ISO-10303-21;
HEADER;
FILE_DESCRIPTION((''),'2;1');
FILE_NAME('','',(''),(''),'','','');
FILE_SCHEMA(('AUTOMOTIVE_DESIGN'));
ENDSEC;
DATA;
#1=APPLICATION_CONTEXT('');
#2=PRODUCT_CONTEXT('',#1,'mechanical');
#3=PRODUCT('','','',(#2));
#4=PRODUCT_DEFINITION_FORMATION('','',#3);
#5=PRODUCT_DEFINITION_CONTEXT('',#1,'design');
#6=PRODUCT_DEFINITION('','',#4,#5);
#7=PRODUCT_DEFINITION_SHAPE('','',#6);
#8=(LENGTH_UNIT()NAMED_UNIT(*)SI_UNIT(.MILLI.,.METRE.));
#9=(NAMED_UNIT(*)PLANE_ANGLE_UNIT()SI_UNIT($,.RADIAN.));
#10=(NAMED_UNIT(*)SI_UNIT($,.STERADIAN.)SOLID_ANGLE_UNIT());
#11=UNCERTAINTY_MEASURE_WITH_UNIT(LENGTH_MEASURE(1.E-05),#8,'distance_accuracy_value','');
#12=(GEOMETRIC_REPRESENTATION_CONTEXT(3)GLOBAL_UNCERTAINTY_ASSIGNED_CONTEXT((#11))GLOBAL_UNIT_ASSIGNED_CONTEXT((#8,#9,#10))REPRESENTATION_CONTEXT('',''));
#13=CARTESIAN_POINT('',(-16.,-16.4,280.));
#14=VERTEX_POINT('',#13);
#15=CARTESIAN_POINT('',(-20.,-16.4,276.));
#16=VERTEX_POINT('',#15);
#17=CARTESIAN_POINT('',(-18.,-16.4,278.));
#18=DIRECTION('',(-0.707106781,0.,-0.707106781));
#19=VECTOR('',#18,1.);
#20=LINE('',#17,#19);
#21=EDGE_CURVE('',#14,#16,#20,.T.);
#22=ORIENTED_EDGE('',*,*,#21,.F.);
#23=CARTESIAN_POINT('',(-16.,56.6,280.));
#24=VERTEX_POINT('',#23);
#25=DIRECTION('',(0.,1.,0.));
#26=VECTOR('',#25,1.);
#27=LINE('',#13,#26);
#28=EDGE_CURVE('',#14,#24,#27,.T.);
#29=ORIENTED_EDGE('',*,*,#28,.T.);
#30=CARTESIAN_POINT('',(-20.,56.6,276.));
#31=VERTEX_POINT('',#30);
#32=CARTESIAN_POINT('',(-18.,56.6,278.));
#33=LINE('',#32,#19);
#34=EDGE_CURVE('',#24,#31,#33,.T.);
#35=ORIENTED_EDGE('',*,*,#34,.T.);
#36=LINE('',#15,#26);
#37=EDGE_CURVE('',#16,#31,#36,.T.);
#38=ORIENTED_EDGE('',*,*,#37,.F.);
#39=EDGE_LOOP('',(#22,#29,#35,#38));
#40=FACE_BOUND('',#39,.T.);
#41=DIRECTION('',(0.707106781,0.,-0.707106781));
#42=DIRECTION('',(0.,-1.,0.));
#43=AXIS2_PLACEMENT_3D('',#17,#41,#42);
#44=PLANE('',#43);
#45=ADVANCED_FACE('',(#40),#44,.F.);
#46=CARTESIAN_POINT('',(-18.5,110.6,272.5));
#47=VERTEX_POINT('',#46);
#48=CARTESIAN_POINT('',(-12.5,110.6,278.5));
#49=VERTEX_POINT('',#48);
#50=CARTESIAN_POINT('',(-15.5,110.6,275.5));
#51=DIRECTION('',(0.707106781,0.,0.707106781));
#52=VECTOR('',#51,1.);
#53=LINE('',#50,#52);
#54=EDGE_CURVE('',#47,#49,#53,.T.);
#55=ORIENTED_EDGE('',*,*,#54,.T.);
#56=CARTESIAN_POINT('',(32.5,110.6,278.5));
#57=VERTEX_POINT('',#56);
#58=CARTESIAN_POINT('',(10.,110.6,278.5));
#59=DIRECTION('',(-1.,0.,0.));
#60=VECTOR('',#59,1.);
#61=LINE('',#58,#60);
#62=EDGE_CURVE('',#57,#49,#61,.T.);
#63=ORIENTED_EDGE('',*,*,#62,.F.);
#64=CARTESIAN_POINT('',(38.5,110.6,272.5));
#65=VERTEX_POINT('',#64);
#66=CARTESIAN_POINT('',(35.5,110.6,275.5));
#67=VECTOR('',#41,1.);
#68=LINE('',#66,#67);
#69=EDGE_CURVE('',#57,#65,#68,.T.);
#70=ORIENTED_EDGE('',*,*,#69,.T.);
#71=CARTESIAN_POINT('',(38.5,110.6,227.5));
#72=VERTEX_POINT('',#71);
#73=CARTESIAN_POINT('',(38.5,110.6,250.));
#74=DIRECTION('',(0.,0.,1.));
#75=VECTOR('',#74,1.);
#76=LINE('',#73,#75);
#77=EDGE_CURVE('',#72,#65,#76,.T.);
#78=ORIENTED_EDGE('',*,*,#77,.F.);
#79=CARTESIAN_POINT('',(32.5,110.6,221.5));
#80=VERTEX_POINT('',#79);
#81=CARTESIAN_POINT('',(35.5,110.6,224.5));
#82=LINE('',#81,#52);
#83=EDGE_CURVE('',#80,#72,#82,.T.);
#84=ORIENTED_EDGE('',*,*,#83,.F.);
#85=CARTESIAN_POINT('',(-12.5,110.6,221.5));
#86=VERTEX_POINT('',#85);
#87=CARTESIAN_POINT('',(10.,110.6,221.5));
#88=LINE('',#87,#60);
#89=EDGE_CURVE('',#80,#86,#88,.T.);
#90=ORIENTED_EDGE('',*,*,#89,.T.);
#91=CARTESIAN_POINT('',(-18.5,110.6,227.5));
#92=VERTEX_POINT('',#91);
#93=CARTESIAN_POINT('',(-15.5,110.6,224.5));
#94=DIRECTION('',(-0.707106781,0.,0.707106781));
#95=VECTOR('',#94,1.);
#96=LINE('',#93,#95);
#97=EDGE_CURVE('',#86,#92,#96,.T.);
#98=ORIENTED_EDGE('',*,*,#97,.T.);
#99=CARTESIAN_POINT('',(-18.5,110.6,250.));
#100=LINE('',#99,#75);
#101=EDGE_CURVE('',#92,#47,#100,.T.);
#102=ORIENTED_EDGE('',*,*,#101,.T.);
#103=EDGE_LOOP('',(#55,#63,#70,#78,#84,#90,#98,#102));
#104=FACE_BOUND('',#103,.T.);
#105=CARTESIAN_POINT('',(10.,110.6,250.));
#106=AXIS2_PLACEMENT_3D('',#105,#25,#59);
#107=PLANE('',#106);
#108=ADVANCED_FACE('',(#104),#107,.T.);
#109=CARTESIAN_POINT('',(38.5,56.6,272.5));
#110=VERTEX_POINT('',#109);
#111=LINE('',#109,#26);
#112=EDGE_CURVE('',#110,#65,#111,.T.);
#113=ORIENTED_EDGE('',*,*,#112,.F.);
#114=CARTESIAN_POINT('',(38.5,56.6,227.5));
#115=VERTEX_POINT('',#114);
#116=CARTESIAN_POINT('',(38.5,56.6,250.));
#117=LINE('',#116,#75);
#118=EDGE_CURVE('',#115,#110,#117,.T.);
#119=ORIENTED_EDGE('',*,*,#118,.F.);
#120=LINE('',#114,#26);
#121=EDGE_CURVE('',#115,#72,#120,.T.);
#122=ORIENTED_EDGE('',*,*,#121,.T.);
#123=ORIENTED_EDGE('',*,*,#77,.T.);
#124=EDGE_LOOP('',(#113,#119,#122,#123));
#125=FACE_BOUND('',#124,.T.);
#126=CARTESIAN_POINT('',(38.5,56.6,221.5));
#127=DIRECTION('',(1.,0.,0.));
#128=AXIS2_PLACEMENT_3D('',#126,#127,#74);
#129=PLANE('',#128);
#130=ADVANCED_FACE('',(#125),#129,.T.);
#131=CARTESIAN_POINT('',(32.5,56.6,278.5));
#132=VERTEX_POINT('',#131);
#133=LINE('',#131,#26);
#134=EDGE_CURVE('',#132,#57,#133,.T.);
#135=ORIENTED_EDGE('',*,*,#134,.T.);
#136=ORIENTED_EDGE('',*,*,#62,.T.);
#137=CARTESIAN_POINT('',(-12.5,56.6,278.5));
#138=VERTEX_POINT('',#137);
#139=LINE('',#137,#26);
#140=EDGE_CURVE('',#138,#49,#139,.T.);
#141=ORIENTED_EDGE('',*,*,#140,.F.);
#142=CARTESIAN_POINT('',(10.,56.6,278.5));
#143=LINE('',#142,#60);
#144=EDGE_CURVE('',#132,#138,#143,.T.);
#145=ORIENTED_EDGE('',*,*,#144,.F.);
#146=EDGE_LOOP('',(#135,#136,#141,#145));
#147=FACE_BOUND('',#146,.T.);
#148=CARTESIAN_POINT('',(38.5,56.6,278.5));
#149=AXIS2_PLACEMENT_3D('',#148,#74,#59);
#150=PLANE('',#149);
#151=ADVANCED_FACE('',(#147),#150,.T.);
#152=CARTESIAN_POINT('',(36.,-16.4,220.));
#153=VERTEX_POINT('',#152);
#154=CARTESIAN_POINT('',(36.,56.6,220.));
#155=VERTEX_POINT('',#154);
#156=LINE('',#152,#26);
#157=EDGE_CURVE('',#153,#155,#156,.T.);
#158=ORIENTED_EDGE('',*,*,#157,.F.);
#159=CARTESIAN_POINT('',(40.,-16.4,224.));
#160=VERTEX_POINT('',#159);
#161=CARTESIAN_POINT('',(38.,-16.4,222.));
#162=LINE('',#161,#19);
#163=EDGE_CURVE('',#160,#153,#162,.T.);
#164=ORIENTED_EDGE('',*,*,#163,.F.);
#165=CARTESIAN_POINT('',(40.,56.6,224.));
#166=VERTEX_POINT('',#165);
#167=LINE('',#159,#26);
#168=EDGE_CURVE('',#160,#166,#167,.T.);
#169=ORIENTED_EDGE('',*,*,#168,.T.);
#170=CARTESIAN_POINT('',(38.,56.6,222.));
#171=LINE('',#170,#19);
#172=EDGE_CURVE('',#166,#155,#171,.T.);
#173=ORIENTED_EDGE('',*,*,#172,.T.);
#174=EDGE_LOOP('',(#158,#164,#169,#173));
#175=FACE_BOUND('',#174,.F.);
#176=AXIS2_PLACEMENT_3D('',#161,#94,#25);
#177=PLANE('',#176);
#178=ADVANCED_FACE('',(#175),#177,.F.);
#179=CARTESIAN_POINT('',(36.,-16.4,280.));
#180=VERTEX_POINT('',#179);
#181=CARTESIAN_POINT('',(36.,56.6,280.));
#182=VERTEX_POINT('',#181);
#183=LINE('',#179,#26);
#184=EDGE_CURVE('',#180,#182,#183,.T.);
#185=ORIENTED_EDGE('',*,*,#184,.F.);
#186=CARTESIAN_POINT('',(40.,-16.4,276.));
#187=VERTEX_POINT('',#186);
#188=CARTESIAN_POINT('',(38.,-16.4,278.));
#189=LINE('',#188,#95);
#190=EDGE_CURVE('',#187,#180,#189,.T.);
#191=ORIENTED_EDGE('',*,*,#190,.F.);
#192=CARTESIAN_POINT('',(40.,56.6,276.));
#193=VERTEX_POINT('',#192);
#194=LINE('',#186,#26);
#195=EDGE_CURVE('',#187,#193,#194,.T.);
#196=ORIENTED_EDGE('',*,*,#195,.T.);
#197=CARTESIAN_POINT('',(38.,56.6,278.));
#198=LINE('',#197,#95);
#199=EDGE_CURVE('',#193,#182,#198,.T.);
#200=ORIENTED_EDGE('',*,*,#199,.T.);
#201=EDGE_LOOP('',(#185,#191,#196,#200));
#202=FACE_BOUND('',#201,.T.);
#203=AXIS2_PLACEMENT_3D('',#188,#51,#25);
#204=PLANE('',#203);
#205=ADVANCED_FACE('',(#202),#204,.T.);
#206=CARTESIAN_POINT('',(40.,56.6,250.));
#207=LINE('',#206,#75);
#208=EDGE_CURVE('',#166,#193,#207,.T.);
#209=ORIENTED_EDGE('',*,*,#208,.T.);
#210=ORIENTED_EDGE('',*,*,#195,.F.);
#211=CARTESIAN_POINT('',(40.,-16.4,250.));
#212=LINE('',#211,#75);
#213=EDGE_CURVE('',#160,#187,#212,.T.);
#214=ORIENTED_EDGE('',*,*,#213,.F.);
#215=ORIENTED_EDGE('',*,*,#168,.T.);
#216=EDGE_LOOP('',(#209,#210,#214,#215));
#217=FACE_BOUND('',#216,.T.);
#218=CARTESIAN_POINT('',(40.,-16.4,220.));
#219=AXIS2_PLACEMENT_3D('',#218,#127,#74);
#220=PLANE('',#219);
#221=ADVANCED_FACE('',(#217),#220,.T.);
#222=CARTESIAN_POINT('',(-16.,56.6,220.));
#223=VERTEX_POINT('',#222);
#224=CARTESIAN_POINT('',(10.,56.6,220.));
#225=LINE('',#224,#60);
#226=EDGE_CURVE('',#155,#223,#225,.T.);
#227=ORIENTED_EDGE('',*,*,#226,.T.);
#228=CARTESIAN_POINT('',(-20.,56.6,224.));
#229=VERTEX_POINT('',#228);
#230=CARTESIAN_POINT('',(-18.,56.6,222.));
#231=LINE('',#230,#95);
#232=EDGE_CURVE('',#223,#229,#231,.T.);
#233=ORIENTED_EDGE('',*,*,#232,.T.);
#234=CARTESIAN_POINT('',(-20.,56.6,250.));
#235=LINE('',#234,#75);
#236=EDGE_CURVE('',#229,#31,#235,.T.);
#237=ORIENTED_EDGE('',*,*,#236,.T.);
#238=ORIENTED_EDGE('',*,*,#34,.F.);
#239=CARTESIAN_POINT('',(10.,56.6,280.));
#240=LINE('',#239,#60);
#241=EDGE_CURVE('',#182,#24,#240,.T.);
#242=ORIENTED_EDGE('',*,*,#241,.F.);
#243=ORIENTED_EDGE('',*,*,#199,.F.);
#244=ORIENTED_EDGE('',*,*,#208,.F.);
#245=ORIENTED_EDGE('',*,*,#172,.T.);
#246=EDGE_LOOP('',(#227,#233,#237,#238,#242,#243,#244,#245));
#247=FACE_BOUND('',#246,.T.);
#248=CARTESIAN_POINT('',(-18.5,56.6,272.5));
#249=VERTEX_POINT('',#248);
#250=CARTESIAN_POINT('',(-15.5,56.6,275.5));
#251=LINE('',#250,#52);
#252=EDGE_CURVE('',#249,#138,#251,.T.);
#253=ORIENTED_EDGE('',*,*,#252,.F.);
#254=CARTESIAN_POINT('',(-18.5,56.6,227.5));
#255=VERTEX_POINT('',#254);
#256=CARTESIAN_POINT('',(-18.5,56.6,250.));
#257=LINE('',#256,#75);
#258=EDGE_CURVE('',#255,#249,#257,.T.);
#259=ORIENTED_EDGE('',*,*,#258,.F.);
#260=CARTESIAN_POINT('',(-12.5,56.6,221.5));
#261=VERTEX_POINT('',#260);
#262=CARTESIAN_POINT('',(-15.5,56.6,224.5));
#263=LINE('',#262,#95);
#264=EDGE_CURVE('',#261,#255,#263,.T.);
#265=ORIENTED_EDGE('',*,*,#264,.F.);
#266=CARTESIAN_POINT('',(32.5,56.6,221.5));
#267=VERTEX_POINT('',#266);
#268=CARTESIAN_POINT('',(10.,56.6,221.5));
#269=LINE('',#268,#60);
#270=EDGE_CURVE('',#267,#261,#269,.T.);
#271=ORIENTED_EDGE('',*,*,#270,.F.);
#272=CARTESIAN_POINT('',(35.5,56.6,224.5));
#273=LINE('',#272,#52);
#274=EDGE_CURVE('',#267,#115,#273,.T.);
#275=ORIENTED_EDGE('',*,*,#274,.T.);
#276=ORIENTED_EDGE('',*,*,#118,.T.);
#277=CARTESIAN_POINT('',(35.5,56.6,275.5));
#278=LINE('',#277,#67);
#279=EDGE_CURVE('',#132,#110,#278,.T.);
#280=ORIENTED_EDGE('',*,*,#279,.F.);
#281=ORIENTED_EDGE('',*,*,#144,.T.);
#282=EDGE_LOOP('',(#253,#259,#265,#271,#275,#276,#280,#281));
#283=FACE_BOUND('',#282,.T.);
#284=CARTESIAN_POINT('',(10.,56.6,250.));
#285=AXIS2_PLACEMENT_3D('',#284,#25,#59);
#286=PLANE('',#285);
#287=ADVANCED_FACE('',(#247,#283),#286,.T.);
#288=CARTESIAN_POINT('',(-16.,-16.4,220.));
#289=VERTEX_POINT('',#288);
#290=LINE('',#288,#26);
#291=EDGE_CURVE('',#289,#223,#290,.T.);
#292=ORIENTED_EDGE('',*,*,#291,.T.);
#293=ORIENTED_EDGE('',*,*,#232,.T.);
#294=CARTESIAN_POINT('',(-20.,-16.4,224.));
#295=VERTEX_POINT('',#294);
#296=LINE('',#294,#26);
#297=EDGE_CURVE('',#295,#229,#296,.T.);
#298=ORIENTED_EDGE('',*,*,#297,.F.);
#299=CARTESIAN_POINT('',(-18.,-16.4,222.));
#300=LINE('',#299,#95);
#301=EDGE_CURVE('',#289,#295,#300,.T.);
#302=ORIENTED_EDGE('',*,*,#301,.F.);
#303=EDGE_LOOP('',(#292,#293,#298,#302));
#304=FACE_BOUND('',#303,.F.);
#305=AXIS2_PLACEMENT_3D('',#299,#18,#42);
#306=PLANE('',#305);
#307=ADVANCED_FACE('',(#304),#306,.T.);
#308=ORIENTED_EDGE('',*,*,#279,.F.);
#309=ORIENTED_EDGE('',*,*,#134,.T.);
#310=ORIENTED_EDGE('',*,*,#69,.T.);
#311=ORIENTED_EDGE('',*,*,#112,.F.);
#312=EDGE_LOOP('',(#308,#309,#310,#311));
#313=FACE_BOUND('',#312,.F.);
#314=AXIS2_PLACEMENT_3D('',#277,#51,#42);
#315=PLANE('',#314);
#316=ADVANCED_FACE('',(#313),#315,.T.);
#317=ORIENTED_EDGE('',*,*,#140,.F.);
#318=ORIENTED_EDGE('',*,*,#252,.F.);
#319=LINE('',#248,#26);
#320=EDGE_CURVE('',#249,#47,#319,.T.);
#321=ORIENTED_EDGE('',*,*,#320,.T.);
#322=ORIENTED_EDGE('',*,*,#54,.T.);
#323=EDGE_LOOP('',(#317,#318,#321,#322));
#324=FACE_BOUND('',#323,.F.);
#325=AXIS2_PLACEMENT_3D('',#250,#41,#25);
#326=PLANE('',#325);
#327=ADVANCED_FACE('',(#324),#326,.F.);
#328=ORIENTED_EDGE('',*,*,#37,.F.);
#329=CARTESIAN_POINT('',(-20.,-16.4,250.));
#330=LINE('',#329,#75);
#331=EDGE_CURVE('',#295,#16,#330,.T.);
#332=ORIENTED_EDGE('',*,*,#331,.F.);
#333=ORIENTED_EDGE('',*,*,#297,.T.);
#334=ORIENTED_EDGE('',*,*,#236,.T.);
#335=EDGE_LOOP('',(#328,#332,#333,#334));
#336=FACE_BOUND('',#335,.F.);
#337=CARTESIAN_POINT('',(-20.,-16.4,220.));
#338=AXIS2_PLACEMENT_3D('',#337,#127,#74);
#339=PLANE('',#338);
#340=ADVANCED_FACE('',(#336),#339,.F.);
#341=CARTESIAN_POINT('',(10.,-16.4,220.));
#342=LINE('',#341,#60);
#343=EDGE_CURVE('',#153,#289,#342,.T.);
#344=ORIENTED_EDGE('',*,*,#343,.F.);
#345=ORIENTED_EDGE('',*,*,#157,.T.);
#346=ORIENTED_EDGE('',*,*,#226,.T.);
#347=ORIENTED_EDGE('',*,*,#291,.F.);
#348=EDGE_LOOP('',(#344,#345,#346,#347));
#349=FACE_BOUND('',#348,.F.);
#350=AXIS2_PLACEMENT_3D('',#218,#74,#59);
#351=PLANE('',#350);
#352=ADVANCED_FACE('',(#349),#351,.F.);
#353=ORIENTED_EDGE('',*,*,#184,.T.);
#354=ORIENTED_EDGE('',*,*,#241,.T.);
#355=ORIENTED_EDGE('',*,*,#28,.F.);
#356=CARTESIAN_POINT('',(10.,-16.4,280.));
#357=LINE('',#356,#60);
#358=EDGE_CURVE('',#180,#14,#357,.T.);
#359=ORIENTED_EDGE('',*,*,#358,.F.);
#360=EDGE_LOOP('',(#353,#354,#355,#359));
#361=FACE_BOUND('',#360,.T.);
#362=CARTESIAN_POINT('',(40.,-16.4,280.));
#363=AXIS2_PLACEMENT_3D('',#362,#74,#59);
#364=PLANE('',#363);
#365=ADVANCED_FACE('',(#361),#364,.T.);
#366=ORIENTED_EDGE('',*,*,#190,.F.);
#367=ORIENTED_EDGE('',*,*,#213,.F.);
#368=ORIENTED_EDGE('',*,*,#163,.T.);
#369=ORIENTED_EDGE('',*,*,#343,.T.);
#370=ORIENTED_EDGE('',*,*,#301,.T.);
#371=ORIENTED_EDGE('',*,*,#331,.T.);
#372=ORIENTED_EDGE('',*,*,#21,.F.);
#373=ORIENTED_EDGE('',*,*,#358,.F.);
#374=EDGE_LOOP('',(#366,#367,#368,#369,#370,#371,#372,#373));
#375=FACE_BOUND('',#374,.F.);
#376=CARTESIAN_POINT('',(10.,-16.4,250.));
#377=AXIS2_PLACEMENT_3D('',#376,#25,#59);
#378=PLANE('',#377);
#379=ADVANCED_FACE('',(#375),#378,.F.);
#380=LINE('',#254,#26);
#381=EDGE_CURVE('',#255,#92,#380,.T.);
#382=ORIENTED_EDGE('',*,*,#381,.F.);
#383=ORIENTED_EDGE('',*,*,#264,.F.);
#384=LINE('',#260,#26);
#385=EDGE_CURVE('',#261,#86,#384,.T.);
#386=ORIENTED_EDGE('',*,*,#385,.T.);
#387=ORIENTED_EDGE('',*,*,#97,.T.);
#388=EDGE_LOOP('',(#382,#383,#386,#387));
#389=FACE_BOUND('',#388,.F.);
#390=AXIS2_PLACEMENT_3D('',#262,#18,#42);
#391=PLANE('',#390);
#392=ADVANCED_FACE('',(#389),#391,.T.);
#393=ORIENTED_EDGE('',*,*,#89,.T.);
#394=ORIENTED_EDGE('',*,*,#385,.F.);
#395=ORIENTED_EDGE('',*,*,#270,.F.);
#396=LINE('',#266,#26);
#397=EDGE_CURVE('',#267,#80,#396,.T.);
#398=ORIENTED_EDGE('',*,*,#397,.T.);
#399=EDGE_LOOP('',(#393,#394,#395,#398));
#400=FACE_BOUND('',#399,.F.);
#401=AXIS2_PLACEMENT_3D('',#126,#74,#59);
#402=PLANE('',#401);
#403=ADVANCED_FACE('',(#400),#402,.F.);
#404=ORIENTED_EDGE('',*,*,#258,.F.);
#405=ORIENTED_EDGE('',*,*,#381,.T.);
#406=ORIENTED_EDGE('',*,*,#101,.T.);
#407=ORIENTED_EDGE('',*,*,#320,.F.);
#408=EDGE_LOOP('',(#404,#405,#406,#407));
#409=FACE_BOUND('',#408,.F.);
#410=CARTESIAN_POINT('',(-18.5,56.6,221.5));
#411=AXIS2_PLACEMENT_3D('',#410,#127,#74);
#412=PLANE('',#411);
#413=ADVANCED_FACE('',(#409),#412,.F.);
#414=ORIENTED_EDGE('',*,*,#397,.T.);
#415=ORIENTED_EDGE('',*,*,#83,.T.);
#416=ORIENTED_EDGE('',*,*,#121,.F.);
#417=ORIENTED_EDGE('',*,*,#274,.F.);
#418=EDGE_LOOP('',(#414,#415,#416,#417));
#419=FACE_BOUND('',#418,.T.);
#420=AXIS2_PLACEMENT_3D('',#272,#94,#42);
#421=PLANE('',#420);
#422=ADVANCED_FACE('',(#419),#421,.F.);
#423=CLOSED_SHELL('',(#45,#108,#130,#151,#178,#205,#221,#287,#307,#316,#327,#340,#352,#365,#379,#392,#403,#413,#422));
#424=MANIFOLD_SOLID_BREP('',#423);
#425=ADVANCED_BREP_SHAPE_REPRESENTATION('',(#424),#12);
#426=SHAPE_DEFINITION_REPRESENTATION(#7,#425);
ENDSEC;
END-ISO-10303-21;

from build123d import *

# Parameters (mm, degrees)
SKETCH025_W              = 60
SKETCH025_H              = 60
PAD022_DEPTH             = 73
SKETCH026_W              = 57
SKETCH026_H              = 57
PAD023_DEPTH             = 54
CHAMFER_SIZE             = 6
CHAMFER001_SIZE          = 4
CLONE010_PLACEMENT_ANGLE = 180


with BuildPart() as part:
    # Sketch025 → Pad022 (new body)
    with BuildSketch(Plane.XZ):
        Rectangle(SKETCH025_W, SKETCH025_H)
    extrude(amount=PAD022_DEPTH)

    # Sketch026 (on Face6 of Pad022) → Pad023 (join)
    with BuildSketch(Plane.XZ.offset(73)):
        Rectangle(SKETCH026_W, SKETCH026_H)
    extrude(amount=PAD023_DEPTH)

    # Chamfer
    chamfer_edges = [part.edges().sort_by_distance(p)[0] for p in [
        (-28.5, -100, 28.5),
        (-28.5, -100, -28.5),
        (28.5, -100, -28.5),
        (28.5, -100, 28.5),
    ]]
    chamfer(chamfer_edges, length=CHAMFER_SIZE)

    # Chamfer001
    chamfer001_edges = [part.edges().sort_by_distance(p)[0] for p in [
        (30, -36.5, 30),
        (-30, -36.5, -30),
        (-30, -36.5, 30),
        (30, -36.5, -30),
    ]]
    chamfer(chamfer001_edges, length=CHAMFER001_SIZE)


with BuildPart() as part_1:
    # Clone010 placement: moved
    add(part.part.moved(Location((10, -16.4, 250))).rotate(Axis((10, -16.4, 250), (0, 0, 1)), CLONE010_PLACEMENT_ANGLE))


solid = part_1.part
